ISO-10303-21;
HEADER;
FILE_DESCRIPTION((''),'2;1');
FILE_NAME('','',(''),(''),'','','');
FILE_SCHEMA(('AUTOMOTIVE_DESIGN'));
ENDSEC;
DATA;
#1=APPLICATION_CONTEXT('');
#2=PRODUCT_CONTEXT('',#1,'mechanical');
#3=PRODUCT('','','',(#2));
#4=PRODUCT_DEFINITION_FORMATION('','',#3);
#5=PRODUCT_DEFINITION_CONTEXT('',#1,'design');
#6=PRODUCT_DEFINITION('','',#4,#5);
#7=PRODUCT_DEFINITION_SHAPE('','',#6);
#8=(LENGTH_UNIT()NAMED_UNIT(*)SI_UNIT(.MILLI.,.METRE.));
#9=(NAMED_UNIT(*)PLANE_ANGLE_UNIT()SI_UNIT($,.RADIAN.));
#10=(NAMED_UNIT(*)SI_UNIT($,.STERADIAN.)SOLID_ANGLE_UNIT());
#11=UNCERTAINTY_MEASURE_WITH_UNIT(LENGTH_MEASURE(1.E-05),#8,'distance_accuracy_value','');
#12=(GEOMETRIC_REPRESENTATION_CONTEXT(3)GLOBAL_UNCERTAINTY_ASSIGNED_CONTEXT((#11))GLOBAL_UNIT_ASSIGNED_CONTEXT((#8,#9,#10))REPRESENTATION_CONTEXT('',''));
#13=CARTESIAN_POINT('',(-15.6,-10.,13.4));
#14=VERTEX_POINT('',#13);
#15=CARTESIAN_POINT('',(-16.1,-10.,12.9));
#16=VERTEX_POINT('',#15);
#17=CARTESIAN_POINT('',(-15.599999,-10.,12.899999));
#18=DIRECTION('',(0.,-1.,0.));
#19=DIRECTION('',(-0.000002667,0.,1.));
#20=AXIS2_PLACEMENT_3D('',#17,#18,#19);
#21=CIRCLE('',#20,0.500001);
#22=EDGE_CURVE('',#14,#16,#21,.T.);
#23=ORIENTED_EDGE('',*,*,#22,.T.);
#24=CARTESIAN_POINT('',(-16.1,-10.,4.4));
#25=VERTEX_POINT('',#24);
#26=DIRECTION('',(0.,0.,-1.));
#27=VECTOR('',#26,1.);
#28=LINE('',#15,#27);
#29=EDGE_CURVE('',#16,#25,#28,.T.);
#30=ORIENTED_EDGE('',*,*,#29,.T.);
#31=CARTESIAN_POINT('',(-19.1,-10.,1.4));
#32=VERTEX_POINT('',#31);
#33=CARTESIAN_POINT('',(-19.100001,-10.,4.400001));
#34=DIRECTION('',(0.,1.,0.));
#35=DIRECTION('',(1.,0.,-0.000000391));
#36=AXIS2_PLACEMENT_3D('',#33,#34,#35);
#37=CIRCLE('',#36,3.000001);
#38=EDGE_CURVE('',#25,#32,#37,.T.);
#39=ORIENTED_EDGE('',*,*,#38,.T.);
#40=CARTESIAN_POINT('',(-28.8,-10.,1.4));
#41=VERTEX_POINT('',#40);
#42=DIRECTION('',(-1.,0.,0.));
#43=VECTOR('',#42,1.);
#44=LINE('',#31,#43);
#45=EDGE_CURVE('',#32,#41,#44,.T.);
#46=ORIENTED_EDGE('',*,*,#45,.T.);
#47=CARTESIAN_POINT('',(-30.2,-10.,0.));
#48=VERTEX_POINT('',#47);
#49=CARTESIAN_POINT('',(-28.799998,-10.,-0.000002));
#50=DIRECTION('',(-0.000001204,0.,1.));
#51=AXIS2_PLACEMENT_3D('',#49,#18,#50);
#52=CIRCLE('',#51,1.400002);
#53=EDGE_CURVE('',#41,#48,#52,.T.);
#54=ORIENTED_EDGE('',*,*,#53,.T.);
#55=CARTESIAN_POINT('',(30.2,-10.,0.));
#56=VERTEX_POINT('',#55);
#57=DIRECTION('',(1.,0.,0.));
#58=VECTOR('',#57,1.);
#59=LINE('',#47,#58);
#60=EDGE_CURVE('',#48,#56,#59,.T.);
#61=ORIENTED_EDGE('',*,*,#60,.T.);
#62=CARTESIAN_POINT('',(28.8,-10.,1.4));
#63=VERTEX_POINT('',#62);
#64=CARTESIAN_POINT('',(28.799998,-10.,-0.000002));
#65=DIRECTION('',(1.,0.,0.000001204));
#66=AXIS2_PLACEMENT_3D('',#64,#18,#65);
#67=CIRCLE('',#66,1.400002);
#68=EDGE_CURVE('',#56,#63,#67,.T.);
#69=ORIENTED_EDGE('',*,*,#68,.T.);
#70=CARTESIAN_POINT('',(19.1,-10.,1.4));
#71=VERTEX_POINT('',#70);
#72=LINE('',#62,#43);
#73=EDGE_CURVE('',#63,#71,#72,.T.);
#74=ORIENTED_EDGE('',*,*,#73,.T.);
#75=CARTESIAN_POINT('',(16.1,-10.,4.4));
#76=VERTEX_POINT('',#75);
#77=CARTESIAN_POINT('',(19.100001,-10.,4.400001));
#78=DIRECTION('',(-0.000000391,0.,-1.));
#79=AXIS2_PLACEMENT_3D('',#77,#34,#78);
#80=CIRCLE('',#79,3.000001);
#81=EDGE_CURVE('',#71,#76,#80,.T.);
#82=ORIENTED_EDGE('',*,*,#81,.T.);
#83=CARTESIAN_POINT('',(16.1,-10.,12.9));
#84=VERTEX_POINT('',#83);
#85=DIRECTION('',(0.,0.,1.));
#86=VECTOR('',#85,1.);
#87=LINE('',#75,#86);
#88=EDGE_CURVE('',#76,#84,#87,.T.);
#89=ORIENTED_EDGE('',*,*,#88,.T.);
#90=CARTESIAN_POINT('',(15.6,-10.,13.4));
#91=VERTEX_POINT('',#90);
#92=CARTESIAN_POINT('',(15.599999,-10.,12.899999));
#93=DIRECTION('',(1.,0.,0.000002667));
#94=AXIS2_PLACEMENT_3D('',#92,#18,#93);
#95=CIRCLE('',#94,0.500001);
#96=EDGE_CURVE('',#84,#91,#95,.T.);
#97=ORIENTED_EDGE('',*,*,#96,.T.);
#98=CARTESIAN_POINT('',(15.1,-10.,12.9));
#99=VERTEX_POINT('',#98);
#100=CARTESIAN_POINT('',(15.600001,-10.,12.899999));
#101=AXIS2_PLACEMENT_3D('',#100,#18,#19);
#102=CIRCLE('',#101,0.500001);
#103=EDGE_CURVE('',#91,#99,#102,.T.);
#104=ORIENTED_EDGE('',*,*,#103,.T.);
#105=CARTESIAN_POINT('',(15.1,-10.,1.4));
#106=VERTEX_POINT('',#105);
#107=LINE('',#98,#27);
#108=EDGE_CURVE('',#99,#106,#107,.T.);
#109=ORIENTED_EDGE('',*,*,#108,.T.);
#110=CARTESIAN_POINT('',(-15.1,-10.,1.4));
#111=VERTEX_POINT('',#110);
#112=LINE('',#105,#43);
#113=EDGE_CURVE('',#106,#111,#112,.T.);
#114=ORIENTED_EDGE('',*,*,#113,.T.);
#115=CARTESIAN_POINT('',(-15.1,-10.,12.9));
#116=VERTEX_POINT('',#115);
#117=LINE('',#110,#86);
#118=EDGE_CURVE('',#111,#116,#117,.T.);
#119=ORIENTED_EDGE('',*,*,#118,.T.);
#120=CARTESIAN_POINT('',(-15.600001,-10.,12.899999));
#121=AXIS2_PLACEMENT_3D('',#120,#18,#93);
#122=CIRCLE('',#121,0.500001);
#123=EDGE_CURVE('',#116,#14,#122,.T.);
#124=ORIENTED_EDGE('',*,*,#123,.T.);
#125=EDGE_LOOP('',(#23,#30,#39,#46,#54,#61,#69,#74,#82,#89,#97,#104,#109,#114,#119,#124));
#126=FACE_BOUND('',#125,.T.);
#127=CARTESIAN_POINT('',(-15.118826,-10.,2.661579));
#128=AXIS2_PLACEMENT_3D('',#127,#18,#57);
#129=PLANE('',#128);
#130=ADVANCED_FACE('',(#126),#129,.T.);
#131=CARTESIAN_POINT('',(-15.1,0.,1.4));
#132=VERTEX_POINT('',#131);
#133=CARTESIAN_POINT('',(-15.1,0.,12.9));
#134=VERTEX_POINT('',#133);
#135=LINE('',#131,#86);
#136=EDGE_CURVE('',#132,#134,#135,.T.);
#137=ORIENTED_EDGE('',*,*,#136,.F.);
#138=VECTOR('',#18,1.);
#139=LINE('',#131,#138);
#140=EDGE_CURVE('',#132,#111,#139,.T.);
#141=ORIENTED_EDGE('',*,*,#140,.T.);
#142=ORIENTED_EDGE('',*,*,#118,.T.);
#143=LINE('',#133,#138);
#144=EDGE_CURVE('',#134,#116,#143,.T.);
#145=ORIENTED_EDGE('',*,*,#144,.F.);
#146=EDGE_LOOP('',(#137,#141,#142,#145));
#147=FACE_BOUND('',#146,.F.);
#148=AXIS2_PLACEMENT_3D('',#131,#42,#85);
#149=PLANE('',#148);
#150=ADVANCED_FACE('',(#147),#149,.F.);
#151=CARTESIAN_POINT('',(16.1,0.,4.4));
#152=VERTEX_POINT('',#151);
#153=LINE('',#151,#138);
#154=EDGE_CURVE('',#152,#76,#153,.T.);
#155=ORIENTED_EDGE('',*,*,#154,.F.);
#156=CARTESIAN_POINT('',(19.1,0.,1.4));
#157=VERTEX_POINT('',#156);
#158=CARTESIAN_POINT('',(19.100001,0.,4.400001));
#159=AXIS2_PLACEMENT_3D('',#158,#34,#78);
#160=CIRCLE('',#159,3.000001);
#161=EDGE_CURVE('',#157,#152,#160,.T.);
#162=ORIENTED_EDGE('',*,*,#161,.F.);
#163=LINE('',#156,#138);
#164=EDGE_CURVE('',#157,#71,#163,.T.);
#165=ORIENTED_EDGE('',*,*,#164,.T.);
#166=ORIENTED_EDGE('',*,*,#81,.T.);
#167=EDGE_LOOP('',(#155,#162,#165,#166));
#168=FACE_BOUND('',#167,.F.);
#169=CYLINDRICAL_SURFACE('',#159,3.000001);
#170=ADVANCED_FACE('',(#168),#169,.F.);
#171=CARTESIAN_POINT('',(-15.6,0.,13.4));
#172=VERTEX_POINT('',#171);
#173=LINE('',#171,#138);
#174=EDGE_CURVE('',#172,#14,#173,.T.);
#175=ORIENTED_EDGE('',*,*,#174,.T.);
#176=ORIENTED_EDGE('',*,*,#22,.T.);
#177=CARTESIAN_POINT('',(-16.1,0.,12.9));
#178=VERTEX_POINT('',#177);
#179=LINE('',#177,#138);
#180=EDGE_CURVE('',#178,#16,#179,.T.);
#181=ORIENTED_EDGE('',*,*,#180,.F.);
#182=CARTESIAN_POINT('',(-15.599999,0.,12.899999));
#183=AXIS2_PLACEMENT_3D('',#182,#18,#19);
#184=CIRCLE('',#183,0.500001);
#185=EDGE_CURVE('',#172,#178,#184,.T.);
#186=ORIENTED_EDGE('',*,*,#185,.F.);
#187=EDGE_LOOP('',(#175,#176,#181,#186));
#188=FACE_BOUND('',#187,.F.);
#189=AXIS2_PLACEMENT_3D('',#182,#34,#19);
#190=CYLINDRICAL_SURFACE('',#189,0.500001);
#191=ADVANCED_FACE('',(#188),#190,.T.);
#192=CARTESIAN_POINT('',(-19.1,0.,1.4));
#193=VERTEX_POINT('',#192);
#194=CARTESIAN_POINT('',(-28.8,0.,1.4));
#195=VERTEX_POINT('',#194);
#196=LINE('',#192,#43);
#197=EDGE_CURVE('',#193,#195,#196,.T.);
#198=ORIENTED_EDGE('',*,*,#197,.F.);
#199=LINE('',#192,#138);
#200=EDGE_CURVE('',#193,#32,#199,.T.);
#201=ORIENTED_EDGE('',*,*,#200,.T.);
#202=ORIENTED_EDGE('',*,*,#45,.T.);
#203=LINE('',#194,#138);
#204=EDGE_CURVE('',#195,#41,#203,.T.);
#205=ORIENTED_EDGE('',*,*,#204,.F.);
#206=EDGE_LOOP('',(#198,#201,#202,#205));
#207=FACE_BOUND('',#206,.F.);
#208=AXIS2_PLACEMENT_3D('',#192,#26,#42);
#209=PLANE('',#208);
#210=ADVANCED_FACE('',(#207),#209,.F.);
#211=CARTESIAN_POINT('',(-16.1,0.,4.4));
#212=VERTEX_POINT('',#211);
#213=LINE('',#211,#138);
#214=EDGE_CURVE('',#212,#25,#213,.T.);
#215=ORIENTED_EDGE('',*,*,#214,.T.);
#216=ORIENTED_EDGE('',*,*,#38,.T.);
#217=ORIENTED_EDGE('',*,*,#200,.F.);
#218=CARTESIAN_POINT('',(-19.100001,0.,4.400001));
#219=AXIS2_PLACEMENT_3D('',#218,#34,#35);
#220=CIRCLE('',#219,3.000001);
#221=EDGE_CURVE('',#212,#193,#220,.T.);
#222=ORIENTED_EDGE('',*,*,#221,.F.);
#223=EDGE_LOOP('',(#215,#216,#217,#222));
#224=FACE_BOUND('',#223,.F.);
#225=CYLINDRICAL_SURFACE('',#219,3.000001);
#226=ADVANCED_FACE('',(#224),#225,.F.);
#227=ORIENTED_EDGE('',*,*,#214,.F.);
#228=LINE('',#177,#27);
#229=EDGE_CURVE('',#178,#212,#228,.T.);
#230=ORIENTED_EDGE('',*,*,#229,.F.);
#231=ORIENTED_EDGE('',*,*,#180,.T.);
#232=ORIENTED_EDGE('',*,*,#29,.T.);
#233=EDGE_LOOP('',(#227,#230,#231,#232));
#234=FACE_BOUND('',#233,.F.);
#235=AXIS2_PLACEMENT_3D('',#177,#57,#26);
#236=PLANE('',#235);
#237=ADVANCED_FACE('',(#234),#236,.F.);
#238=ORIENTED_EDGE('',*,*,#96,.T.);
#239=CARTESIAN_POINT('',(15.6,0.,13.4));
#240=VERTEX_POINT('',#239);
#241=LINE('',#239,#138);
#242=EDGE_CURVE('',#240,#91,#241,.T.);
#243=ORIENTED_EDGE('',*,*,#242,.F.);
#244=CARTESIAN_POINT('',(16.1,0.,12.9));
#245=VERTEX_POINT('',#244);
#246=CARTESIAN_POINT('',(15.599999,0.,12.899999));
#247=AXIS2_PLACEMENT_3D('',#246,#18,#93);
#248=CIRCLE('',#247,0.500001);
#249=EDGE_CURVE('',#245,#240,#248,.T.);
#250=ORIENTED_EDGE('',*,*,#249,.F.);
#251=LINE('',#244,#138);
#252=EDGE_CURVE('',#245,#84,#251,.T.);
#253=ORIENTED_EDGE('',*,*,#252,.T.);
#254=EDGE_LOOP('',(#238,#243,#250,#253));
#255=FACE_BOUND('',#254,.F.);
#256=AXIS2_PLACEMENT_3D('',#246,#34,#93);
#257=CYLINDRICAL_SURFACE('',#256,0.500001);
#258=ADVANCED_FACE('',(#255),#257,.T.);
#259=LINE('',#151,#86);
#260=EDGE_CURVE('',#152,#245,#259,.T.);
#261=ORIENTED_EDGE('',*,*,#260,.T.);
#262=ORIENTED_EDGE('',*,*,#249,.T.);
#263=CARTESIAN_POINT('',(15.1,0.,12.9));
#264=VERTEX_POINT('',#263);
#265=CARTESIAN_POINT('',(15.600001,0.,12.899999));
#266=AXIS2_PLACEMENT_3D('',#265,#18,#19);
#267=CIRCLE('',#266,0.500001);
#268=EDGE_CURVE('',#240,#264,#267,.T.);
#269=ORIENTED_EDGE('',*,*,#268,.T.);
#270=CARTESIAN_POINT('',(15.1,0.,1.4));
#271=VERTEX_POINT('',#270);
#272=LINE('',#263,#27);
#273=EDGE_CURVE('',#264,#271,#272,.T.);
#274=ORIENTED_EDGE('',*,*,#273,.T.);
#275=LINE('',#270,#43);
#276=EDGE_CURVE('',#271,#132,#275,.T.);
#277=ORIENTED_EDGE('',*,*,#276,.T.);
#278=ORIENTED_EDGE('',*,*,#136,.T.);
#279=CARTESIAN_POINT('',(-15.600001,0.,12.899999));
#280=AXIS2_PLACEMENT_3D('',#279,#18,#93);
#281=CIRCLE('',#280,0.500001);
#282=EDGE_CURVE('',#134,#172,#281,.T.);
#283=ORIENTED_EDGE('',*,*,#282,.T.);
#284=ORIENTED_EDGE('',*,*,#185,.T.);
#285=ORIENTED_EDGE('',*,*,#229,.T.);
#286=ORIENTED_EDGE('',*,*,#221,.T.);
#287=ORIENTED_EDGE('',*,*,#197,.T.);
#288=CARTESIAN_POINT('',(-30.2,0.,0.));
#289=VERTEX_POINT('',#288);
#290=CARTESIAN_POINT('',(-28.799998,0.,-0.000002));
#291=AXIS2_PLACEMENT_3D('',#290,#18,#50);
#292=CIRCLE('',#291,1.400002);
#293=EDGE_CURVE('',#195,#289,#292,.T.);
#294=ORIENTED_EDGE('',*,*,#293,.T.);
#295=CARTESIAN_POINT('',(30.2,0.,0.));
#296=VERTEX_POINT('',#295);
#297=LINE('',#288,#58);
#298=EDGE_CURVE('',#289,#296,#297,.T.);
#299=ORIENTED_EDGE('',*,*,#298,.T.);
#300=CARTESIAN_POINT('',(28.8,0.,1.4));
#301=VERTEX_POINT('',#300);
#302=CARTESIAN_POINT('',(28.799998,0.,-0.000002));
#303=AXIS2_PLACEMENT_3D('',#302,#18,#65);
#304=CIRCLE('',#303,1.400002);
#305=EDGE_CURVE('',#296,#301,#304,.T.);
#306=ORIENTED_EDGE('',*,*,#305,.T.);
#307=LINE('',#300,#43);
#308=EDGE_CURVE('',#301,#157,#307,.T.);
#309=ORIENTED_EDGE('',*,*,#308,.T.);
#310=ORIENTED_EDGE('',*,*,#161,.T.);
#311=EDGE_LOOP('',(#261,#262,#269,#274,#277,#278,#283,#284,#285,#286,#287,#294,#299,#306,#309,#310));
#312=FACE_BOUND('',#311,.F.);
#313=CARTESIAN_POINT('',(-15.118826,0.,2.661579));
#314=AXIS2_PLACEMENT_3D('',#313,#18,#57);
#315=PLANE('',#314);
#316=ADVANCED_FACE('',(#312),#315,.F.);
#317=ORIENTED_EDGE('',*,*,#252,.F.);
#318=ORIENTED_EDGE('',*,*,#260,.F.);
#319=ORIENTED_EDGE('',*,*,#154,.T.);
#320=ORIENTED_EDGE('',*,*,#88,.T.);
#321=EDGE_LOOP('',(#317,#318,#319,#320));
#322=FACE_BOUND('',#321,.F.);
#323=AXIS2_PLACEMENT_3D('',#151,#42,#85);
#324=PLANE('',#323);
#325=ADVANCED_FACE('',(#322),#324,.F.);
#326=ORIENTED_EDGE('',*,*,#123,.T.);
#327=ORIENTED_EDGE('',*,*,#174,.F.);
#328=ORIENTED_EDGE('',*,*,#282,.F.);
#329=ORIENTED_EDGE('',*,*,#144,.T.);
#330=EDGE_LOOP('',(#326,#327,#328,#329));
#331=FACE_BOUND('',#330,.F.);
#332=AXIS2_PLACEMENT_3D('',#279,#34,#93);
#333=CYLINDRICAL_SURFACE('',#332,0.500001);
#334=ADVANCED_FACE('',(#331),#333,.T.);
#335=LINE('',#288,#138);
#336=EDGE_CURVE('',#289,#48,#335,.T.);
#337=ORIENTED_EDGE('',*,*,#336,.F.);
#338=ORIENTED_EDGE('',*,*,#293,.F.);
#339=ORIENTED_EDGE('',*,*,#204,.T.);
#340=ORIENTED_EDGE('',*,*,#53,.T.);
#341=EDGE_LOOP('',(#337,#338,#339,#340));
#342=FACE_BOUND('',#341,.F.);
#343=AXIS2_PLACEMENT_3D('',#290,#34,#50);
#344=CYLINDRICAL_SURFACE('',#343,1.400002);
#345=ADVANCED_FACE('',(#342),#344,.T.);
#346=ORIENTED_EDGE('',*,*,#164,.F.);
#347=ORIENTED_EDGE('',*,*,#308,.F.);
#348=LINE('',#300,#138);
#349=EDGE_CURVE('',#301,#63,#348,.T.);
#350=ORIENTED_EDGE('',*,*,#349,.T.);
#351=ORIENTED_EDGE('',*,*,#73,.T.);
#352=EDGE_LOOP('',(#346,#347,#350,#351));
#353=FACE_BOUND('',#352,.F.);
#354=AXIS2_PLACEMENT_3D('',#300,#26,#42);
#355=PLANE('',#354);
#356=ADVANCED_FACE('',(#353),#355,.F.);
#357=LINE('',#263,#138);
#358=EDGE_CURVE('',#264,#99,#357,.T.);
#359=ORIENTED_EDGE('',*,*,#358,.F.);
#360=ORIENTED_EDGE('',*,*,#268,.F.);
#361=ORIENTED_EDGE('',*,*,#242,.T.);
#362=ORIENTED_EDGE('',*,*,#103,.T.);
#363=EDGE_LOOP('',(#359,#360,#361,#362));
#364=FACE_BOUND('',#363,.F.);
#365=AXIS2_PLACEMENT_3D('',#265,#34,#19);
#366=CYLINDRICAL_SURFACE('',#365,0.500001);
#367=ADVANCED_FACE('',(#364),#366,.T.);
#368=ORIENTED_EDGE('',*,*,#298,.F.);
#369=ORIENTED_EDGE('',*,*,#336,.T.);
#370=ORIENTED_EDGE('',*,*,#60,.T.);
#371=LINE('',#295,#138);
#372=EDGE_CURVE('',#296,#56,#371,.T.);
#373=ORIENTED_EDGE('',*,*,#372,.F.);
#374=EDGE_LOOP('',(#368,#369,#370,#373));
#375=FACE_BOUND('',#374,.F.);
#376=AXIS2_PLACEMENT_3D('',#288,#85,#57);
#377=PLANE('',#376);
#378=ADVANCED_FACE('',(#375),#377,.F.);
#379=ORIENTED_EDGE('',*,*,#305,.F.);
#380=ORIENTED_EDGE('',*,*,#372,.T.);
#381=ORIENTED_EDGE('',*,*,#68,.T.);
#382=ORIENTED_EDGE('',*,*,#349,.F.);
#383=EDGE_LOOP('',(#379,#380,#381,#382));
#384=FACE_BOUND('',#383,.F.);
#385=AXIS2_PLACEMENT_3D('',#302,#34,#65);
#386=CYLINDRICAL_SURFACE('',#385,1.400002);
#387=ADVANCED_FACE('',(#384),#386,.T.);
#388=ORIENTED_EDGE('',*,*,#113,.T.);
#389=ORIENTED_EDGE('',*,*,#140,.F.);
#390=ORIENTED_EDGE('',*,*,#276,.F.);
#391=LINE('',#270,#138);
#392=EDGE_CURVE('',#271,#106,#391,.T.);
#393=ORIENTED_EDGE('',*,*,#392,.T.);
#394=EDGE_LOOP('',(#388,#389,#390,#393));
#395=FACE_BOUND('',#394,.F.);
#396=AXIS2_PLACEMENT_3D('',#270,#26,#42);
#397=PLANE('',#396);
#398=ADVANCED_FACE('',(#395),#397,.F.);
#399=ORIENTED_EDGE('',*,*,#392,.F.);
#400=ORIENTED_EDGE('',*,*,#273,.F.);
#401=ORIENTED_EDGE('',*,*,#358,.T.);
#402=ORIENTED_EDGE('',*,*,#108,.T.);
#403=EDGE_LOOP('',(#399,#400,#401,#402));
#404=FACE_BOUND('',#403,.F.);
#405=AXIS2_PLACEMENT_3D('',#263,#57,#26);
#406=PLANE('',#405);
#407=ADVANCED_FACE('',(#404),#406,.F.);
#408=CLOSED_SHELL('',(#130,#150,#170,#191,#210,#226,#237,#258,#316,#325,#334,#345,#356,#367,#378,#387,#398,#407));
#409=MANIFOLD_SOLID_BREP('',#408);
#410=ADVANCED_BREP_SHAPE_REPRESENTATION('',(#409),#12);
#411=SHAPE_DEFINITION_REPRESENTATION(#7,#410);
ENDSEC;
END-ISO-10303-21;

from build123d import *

# Parameters (mm, degrees)
F1_DEPTH = 10


with BuildPart() as f1:
    # F0 (on Front) → F1 (new body)
    with BuildSketch(Plane.XZ):
        with BuildLine():
            Line((-30.2, 0), (0, 0))
            Line((0, 0), (0, 1.4))
            Line((0, 1.4), (-15.1, 1.4))
            Line((-15.1, 1.4), (-15.1, 12.9))
            ThreePointArc((-15.1, 12.9), (-15.246447, 13.253553), (-15.6, 13.4))
            ThreePointArc((-15.6, 13.4), (-15.953553, 13.253553), (-16.1, 12.9))
            Line((-16.1, 12.9), (-16.1, 4.4))
            ThreePointArc((-16.1, 4.4), (-16.97868, 2.27868), (-19.1, 1.4))
            Line((-19.1, 1.4), (-28.8, 1.4))
            ThreePointArc((-28.8, 1.4), (-29.789949, 0.989949), (-30.2, 0))
        make_face()
        with BuildLine():
            Line((0, 1.4), (0, 0))
            Line((0, 0), (30.2, 0))
            ThreePointArc((30.2, 0), (29.789949, 0.989949), (28.8, 1.4))
            Line((28.8, 1.4), (19.1, 1.4))
            ThreePointArc((19.1, 1.4), (16.97868, 2.27868), (16.1, 4.4))
            Line((16.1, 4.4), (16.1, 12.9))
            ThreePointArc((16.1, 12.9), (15.953553, 13.253553), (15.6, 13.4))
            ThreePointArc((15.6, 13.4), (15.246447, 13.253553), (15.1, 12.9))
            Line((15.1, 12.9), (15.1, 1.4))
            Line((15.1, 1.4), (0, 1.4))
        make_face()
    extrude(amount=F1_DEPTH)


solid = f1.part
